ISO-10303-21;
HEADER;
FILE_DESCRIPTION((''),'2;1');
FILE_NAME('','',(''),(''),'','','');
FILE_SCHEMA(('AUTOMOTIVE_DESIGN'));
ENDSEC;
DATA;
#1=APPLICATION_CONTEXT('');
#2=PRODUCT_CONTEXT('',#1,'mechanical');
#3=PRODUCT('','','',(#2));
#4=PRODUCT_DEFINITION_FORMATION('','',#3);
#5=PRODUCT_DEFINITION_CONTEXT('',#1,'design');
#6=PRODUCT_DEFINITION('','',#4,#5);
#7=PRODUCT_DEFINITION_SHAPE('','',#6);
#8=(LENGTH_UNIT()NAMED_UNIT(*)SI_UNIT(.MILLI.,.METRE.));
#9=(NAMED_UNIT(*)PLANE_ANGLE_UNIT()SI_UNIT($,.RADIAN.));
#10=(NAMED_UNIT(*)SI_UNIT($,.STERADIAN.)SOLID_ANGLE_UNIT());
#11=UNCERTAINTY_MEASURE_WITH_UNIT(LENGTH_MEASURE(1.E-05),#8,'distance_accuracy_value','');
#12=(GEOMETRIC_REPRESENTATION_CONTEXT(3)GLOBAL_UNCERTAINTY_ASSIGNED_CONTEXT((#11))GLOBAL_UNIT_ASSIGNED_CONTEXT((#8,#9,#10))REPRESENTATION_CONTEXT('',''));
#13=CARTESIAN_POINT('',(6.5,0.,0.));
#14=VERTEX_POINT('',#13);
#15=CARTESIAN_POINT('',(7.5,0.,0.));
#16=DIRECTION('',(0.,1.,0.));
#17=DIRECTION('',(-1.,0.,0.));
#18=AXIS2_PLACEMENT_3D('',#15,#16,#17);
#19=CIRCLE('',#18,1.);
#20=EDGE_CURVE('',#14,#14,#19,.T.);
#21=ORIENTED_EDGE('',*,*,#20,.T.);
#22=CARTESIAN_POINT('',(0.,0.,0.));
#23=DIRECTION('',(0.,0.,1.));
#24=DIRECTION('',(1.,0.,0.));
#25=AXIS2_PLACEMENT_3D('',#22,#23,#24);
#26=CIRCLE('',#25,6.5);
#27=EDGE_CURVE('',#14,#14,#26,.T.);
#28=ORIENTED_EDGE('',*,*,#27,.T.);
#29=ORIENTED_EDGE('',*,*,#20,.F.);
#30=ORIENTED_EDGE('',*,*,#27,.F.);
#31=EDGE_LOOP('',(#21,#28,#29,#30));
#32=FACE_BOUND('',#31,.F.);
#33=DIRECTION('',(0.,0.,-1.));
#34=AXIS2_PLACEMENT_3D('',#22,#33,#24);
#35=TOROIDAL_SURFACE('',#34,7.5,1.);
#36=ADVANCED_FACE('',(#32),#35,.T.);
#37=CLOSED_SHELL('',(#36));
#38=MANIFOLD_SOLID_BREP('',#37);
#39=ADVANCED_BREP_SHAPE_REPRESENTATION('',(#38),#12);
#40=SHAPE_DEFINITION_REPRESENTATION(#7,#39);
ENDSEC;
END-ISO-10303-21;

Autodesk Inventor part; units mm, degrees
ref_plane "YZ Plane" through (0, 0, 0) normal (1, 0, 0) x (0, 1, 0)
ref_plane "XZ Plane" through (0, 0, 0) normal (0, 1, 0) x (-1, 0, 0)
ref_plane "XY Plane" through (0, 0, 0) normal (0, 0, 1) x (1, 0, 0)
sketch "Sketch2" plane through (0, 0, 0) normal (0, 1, 0) x (-1, 0, 0)
  line L0 (1.6, 0) -> (-1.2, 0) projected
  line L1 (0, -1.2) -> (0, 1.6) projected
  circle A0 centre (-7.5, 0) radius 1
  point P0 (0, 0)
  dimension "d0" = 2
  dimension "d1" = 15
revolve "Revolution1" add sketch "Sketch2" angle 360 about axis through (0, 0, -10) along (0, 0, 1)
properties part number "Oring2_3" material "Silicone"
